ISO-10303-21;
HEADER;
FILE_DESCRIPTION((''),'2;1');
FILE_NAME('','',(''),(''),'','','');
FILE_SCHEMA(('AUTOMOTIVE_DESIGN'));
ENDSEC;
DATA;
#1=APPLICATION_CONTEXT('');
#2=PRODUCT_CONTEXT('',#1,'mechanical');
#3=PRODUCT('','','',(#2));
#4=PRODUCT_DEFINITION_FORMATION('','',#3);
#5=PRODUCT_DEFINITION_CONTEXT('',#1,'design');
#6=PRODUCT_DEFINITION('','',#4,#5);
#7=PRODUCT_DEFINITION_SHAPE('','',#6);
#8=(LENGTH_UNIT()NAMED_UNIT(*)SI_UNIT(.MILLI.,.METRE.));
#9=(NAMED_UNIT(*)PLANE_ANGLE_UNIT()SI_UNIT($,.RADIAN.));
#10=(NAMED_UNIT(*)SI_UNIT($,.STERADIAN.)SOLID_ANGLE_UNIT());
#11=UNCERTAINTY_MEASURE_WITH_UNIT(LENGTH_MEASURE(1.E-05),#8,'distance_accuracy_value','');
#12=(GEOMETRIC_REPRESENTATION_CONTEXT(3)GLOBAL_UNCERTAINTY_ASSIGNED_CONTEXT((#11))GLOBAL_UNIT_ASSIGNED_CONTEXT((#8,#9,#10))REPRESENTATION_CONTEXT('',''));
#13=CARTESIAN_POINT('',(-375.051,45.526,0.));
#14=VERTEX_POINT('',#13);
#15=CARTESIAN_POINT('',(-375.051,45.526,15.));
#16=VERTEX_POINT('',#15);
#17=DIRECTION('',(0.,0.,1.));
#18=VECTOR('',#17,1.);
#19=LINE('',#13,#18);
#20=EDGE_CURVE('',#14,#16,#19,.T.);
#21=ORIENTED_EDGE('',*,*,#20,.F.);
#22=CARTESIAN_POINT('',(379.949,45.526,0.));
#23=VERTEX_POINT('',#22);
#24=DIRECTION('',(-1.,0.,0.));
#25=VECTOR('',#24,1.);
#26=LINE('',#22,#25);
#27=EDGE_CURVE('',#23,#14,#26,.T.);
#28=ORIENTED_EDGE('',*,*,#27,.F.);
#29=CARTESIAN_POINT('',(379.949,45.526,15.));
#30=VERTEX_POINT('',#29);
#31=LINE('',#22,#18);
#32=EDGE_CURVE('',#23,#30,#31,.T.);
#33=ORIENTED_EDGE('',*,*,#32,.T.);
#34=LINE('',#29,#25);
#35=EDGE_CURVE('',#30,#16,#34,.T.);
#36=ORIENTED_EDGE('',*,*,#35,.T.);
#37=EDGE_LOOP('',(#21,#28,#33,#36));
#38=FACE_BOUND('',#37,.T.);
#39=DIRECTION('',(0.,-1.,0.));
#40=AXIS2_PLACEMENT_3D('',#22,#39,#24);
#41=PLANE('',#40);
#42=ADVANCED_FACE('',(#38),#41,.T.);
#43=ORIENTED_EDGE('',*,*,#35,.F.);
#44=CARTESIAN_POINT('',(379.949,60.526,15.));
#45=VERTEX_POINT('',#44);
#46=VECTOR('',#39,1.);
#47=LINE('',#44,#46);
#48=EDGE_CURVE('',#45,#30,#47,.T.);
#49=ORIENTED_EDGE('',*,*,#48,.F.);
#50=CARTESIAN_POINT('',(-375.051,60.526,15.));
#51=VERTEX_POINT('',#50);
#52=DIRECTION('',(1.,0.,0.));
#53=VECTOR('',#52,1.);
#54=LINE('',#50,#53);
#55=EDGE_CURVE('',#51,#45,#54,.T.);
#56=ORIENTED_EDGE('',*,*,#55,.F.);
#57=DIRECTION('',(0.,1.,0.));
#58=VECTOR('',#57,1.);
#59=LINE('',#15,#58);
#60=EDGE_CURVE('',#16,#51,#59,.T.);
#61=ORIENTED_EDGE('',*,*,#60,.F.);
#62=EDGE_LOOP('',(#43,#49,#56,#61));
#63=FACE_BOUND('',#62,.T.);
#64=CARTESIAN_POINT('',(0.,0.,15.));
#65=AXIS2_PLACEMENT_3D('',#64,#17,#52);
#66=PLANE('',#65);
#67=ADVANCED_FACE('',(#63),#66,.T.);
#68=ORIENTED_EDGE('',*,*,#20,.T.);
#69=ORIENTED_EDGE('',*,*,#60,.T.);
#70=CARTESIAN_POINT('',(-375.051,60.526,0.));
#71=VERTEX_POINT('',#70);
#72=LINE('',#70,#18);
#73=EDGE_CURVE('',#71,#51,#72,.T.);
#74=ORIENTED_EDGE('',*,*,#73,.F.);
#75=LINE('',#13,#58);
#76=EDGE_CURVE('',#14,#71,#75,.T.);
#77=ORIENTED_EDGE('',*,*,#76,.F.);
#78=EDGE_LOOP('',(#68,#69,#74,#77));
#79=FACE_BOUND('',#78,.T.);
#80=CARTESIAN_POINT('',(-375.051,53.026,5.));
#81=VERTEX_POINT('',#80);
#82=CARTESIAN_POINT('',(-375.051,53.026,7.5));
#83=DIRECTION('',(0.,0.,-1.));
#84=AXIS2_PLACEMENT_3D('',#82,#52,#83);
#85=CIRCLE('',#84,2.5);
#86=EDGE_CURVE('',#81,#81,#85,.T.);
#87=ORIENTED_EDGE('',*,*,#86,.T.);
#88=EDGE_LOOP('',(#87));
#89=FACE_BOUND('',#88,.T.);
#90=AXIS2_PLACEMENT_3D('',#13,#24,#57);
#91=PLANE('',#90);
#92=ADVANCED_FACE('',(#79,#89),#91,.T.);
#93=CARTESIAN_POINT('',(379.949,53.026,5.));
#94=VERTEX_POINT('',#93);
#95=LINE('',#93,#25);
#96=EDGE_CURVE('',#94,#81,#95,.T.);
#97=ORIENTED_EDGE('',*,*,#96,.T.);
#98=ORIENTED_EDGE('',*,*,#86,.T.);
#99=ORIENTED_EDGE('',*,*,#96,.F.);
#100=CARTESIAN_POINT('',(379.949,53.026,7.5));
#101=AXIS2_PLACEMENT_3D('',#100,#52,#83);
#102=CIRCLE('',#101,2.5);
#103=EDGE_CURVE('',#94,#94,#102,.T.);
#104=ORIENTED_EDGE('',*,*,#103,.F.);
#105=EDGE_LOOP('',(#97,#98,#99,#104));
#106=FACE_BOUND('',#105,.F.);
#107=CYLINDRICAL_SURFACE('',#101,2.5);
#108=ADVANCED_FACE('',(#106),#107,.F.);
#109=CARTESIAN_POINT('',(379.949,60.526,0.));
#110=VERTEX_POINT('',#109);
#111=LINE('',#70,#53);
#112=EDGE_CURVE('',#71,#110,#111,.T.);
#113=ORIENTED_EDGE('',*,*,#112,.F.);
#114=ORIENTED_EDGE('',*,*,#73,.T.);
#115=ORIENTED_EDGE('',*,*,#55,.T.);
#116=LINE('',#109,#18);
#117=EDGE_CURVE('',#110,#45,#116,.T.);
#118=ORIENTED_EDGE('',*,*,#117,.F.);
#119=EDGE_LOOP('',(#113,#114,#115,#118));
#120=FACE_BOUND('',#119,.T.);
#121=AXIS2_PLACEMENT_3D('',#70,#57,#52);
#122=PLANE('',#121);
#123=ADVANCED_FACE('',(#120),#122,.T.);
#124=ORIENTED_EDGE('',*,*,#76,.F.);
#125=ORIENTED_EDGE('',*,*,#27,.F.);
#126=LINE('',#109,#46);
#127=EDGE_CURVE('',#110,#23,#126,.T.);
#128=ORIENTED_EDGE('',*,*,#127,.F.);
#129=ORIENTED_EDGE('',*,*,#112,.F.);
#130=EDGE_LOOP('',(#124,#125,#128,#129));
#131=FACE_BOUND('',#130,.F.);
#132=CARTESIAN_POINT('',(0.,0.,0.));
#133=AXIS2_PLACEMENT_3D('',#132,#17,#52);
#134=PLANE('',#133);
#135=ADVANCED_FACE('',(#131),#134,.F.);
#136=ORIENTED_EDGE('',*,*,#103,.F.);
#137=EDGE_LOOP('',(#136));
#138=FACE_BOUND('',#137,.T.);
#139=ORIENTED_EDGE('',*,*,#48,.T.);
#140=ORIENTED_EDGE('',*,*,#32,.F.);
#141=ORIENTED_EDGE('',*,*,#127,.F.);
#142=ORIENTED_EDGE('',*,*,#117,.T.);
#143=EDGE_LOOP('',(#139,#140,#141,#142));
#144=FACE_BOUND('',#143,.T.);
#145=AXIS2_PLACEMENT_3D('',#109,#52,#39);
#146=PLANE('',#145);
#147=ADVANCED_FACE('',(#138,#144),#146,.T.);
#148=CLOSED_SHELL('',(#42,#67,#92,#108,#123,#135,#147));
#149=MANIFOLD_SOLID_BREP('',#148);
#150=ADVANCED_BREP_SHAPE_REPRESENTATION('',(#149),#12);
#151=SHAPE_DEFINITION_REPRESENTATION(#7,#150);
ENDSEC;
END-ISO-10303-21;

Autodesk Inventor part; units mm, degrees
ref_plane "YZ Plane" through (0, 0, 0) normal (1, 0, 0) x (0, 1, 0)
ref_plane "XZ Plane" through (0, 0, 0) normal (0, 1, 0) x (-1, 0, 0)
ref_plane "XY Plane" through (0, 0, 0) normal (0, 0, 1) x (1, 0, 0)
sketch "草图1" plane through (0, 0, 0) normal (0, 0, 1) x (1, 0, 0)
  line L0 (-375.051, 60.526) -> (379.949, 60.526)
  line L1 (379.949, 60.526) -> (379.949, 45.526)
  line L2 (379.949, 45.526) -> (-375.051, 45.526)
  line L3 (-375.051, 45.526) -> (-375.051, 60.526)
  point P0 (0, 0)
  dimension "d0" = 755
  dimension "d1" = 15
extrude "拉伸1" add sketch "草图1" along normal blind 15
sketch "草图2" plane through (379.949, 45.526, 0) normal (1, 0, 0) x (0, 0, -1)
  line L0 (0, 0) -> (0, 15) projected
  line L1 (0, 15) -> (-15, 15) projected
  circle A0 centre (-7.5, 7.5) radius 2.5
  point P0 (0, -45.526)
  dimension "d4" = 7.5
  dimension "d5" = 7.5
  dimension "d6" = 5
extrude "拉伸2" cut sketch "草图2" against normal blind 800
properties part number "Desk glass holding bar"
